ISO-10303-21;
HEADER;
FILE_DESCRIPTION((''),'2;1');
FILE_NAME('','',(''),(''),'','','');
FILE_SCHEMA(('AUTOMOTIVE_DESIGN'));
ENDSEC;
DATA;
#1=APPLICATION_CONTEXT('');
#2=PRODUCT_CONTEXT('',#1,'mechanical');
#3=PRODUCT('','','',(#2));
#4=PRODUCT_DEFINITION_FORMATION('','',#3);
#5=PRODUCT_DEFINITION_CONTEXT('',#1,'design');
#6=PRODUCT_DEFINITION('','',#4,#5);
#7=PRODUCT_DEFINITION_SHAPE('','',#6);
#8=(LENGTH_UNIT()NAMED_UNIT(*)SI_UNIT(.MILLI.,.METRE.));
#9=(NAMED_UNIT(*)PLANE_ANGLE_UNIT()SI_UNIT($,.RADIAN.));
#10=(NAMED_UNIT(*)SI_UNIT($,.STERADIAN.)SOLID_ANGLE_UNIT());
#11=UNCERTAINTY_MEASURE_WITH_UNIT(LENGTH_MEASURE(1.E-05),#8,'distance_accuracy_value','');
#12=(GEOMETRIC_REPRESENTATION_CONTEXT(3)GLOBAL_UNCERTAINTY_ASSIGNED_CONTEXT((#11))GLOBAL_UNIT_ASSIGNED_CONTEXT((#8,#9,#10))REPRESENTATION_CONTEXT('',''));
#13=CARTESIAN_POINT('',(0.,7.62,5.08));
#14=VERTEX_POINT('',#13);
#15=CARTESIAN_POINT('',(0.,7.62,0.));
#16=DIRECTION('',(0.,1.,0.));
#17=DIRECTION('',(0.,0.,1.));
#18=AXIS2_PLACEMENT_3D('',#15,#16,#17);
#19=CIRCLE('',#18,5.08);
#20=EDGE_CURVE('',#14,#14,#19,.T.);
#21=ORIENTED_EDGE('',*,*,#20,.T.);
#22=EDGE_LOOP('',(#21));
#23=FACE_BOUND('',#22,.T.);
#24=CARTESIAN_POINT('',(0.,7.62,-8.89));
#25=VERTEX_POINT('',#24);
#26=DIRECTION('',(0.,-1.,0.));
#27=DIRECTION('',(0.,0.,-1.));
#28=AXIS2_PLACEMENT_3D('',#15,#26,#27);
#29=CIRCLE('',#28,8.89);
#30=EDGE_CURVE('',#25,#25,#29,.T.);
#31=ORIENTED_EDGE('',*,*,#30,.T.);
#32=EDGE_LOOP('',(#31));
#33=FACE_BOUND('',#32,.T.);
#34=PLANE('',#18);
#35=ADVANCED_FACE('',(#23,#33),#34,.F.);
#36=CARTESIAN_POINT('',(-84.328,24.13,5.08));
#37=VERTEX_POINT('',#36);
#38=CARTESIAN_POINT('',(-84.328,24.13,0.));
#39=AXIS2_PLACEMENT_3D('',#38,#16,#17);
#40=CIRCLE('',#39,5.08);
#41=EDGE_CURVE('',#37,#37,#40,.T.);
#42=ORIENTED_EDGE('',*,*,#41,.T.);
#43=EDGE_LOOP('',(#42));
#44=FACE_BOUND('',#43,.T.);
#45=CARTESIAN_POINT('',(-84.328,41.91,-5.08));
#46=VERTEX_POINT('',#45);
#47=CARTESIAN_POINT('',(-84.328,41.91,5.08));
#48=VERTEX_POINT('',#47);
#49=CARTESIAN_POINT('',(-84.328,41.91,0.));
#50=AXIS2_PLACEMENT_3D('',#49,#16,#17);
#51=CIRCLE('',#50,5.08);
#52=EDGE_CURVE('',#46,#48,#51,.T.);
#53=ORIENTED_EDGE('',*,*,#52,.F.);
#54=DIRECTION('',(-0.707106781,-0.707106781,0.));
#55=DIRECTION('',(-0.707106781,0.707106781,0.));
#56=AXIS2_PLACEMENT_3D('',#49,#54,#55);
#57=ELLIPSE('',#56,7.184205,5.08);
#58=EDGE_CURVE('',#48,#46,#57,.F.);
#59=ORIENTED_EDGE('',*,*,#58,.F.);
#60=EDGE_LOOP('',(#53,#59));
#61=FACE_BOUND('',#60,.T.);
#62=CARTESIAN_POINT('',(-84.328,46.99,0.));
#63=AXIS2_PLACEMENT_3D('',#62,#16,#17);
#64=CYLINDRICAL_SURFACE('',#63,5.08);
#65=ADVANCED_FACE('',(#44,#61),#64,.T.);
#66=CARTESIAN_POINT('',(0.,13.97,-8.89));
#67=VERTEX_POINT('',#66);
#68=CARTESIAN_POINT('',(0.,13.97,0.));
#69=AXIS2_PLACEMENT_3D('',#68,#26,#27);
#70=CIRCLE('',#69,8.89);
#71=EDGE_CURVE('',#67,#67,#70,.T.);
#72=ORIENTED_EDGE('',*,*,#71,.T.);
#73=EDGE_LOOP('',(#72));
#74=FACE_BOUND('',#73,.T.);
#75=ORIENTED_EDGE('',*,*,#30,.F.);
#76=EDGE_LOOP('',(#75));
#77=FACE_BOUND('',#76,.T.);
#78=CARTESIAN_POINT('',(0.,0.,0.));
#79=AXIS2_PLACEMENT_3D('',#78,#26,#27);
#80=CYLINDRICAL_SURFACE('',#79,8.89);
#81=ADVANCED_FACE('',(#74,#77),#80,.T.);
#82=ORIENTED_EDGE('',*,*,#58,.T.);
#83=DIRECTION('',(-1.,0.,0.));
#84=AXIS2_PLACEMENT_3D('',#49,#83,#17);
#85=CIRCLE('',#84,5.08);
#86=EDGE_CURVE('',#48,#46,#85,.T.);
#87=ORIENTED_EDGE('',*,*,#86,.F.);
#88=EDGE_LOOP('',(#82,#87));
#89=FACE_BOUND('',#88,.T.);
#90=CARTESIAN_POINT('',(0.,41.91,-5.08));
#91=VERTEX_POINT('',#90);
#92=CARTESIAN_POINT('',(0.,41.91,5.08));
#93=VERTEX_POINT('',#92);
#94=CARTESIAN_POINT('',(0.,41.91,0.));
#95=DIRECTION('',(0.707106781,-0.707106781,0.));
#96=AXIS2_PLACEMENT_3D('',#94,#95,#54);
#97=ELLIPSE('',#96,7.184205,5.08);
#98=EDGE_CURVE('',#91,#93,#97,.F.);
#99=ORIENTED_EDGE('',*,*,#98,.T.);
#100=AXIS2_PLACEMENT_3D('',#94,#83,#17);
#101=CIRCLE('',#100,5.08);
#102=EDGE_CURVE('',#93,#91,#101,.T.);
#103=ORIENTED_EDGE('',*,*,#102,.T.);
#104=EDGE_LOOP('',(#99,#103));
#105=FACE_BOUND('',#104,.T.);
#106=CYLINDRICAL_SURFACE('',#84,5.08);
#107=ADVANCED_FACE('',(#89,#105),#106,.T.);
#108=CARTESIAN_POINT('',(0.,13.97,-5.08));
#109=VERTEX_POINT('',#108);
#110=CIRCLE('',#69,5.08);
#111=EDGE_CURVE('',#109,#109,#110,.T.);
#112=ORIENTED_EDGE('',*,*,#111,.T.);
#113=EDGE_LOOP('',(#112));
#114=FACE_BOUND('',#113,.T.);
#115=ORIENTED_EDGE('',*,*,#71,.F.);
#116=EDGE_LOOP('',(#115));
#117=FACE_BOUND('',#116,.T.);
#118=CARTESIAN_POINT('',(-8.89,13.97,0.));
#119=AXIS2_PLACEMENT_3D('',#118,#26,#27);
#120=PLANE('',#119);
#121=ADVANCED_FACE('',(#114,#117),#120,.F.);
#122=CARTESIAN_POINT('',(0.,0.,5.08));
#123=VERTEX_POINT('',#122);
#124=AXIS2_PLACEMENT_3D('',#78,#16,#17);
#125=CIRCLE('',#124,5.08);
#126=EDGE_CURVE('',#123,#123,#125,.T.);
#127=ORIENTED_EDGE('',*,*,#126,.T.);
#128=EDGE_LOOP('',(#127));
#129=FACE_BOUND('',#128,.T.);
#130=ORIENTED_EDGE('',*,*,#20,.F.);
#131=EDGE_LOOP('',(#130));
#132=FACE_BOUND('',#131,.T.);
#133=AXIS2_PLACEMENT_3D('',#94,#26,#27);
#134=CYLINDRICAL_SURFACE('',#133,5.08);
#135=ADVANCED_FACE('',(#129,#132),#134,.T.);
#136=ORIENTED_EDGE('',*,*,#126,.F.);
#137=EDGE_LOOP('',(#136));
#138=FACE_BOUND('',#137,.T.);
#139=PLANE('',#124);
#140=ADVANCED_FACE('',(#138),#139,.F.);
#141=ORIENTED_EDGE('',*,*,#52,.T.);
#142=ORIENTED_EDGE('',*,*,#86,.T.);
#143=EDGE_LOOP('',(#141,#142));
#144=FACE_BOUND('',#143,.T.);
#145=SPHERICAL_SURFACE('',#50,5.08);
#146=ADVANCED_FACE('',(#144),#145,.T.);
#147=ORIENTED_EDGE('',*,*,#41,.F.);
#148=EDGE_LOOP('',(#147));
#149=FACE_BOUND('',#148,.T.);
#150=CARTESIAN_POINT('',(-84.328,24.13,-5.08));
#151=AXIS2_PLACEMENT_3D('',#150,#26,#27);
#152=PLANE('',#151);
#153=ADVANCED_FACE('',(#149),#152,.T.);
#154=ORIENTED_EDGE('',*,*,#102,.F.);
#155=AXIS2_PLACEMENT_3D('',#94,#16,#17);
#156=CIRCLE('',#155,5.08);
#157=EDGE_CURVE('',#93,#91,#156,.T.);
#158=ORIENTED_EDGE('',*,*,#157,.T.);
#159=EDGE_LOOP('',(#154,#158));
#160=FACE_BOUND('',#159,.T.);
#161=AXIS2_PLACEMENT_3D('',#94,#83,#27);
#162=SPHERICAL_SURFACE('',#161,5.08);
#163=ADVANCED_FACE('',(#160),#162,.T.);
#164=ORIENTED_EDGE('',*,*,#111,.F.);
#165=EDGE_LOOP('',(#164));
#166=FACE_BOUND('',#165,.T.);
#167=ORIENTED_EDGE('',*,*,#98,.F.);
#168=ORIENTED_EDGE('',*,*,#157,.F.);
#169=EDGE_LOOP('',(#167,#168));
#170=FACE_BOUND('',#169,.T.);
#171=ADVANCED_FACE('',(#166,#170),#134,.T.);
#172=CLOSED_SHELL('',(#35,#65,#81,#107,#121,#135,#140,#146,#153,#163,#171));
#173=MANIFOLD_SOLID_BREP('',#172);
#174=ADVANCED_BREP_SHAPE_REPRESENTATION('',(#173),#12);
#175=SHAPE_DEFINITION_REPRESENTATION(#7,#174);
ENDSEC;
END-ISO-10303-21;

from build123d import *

# Parameters (mm, degrees)
SKETCH2_R           = 5.08
BOSS_EXTRUDE2_DEPTH = 41.91
SKETCH3_W           = 8.89
SKETCH3_H           = 6.35


with BuildPart() as part:
    # Sketch2 → Boss-Extrude2 (new body)
    with BuildSketch(Plane(origin=(0, 0, 0), x_dir=(-1, 0, 0), z_dir=(0, 1, 0))):
        with Locations(Location((0, 0, 0), (0, 0, 90))):
            Circle(SKETCH2_R)
    extrude(amount=BOSS_EXTRUDE2_DEPTH)

    # Sketch3 → Revolve1 (revolve)
    with BuildSketch(Plane.XY, mode=Mode.PRIVATE) as revolve1_sk:
        with Locations((-4.445, 10.795)):
            Rectangle(SKETCH3_W, SKETCH3_H)
    revolve(revolve1_sk.sketch.rotate(Axis((0, 0, 0), (0, 1, 0)), 270), axis=Axis((0, 0, 0), (0, 1, 0)))

    # Sketch4 → Revolve2 (revolve)
    with BuildSketch(Plane(origin=(0, 41.91, 0), x_dir=(1, 0, 0), z_dir=(0, 1, 0)), mode=Mode.PRIVATE) as revolve2_sk:
        with BuildLine():
            Line((0, 5.08), (-84.328, 5.08))
            Line((-84.328, 5.08), (-84.328, 0))
            Line((-84.328, 0), (5.08, 0))
            ThreePointArc((5.08, 0), (3.592102448, 3.592102448), (0, 5.08))
        make_face()
    revolve(revolve2_sk.sketch.rotate(Axis((-84.328, 41.91, 0), (1, 0, 0)), 180), axis=Axis((-84.328, 41.91, 0), (1, 0, 0)))

    # Sketch5 → Revolve3 (revolve)
    with BuildSketch(Plane.ZY.offset(84.328), mode=Mode.PRIVATE) as revolve3_sk:
        with BuildLine():
            Line((0, 46.99), (0, 24.13))
            Line((0, 24.13), (-5.08, 24.13))
            Line((-5.08, 24.13), (-5.08, 41.91))
            ThreePointArc((-5.08, 41.91), (-3.592102448, 45.502102448), (0, 46.99))
        make_face()
    revolve(revolve3_sk.sketch.rotate(Axis((-84.328, 46.99, 0), (0, -1, 0)), 180), axis=Axis((-84.328, 46.99, 0), (0, -1, 0)))


solid = part.part
